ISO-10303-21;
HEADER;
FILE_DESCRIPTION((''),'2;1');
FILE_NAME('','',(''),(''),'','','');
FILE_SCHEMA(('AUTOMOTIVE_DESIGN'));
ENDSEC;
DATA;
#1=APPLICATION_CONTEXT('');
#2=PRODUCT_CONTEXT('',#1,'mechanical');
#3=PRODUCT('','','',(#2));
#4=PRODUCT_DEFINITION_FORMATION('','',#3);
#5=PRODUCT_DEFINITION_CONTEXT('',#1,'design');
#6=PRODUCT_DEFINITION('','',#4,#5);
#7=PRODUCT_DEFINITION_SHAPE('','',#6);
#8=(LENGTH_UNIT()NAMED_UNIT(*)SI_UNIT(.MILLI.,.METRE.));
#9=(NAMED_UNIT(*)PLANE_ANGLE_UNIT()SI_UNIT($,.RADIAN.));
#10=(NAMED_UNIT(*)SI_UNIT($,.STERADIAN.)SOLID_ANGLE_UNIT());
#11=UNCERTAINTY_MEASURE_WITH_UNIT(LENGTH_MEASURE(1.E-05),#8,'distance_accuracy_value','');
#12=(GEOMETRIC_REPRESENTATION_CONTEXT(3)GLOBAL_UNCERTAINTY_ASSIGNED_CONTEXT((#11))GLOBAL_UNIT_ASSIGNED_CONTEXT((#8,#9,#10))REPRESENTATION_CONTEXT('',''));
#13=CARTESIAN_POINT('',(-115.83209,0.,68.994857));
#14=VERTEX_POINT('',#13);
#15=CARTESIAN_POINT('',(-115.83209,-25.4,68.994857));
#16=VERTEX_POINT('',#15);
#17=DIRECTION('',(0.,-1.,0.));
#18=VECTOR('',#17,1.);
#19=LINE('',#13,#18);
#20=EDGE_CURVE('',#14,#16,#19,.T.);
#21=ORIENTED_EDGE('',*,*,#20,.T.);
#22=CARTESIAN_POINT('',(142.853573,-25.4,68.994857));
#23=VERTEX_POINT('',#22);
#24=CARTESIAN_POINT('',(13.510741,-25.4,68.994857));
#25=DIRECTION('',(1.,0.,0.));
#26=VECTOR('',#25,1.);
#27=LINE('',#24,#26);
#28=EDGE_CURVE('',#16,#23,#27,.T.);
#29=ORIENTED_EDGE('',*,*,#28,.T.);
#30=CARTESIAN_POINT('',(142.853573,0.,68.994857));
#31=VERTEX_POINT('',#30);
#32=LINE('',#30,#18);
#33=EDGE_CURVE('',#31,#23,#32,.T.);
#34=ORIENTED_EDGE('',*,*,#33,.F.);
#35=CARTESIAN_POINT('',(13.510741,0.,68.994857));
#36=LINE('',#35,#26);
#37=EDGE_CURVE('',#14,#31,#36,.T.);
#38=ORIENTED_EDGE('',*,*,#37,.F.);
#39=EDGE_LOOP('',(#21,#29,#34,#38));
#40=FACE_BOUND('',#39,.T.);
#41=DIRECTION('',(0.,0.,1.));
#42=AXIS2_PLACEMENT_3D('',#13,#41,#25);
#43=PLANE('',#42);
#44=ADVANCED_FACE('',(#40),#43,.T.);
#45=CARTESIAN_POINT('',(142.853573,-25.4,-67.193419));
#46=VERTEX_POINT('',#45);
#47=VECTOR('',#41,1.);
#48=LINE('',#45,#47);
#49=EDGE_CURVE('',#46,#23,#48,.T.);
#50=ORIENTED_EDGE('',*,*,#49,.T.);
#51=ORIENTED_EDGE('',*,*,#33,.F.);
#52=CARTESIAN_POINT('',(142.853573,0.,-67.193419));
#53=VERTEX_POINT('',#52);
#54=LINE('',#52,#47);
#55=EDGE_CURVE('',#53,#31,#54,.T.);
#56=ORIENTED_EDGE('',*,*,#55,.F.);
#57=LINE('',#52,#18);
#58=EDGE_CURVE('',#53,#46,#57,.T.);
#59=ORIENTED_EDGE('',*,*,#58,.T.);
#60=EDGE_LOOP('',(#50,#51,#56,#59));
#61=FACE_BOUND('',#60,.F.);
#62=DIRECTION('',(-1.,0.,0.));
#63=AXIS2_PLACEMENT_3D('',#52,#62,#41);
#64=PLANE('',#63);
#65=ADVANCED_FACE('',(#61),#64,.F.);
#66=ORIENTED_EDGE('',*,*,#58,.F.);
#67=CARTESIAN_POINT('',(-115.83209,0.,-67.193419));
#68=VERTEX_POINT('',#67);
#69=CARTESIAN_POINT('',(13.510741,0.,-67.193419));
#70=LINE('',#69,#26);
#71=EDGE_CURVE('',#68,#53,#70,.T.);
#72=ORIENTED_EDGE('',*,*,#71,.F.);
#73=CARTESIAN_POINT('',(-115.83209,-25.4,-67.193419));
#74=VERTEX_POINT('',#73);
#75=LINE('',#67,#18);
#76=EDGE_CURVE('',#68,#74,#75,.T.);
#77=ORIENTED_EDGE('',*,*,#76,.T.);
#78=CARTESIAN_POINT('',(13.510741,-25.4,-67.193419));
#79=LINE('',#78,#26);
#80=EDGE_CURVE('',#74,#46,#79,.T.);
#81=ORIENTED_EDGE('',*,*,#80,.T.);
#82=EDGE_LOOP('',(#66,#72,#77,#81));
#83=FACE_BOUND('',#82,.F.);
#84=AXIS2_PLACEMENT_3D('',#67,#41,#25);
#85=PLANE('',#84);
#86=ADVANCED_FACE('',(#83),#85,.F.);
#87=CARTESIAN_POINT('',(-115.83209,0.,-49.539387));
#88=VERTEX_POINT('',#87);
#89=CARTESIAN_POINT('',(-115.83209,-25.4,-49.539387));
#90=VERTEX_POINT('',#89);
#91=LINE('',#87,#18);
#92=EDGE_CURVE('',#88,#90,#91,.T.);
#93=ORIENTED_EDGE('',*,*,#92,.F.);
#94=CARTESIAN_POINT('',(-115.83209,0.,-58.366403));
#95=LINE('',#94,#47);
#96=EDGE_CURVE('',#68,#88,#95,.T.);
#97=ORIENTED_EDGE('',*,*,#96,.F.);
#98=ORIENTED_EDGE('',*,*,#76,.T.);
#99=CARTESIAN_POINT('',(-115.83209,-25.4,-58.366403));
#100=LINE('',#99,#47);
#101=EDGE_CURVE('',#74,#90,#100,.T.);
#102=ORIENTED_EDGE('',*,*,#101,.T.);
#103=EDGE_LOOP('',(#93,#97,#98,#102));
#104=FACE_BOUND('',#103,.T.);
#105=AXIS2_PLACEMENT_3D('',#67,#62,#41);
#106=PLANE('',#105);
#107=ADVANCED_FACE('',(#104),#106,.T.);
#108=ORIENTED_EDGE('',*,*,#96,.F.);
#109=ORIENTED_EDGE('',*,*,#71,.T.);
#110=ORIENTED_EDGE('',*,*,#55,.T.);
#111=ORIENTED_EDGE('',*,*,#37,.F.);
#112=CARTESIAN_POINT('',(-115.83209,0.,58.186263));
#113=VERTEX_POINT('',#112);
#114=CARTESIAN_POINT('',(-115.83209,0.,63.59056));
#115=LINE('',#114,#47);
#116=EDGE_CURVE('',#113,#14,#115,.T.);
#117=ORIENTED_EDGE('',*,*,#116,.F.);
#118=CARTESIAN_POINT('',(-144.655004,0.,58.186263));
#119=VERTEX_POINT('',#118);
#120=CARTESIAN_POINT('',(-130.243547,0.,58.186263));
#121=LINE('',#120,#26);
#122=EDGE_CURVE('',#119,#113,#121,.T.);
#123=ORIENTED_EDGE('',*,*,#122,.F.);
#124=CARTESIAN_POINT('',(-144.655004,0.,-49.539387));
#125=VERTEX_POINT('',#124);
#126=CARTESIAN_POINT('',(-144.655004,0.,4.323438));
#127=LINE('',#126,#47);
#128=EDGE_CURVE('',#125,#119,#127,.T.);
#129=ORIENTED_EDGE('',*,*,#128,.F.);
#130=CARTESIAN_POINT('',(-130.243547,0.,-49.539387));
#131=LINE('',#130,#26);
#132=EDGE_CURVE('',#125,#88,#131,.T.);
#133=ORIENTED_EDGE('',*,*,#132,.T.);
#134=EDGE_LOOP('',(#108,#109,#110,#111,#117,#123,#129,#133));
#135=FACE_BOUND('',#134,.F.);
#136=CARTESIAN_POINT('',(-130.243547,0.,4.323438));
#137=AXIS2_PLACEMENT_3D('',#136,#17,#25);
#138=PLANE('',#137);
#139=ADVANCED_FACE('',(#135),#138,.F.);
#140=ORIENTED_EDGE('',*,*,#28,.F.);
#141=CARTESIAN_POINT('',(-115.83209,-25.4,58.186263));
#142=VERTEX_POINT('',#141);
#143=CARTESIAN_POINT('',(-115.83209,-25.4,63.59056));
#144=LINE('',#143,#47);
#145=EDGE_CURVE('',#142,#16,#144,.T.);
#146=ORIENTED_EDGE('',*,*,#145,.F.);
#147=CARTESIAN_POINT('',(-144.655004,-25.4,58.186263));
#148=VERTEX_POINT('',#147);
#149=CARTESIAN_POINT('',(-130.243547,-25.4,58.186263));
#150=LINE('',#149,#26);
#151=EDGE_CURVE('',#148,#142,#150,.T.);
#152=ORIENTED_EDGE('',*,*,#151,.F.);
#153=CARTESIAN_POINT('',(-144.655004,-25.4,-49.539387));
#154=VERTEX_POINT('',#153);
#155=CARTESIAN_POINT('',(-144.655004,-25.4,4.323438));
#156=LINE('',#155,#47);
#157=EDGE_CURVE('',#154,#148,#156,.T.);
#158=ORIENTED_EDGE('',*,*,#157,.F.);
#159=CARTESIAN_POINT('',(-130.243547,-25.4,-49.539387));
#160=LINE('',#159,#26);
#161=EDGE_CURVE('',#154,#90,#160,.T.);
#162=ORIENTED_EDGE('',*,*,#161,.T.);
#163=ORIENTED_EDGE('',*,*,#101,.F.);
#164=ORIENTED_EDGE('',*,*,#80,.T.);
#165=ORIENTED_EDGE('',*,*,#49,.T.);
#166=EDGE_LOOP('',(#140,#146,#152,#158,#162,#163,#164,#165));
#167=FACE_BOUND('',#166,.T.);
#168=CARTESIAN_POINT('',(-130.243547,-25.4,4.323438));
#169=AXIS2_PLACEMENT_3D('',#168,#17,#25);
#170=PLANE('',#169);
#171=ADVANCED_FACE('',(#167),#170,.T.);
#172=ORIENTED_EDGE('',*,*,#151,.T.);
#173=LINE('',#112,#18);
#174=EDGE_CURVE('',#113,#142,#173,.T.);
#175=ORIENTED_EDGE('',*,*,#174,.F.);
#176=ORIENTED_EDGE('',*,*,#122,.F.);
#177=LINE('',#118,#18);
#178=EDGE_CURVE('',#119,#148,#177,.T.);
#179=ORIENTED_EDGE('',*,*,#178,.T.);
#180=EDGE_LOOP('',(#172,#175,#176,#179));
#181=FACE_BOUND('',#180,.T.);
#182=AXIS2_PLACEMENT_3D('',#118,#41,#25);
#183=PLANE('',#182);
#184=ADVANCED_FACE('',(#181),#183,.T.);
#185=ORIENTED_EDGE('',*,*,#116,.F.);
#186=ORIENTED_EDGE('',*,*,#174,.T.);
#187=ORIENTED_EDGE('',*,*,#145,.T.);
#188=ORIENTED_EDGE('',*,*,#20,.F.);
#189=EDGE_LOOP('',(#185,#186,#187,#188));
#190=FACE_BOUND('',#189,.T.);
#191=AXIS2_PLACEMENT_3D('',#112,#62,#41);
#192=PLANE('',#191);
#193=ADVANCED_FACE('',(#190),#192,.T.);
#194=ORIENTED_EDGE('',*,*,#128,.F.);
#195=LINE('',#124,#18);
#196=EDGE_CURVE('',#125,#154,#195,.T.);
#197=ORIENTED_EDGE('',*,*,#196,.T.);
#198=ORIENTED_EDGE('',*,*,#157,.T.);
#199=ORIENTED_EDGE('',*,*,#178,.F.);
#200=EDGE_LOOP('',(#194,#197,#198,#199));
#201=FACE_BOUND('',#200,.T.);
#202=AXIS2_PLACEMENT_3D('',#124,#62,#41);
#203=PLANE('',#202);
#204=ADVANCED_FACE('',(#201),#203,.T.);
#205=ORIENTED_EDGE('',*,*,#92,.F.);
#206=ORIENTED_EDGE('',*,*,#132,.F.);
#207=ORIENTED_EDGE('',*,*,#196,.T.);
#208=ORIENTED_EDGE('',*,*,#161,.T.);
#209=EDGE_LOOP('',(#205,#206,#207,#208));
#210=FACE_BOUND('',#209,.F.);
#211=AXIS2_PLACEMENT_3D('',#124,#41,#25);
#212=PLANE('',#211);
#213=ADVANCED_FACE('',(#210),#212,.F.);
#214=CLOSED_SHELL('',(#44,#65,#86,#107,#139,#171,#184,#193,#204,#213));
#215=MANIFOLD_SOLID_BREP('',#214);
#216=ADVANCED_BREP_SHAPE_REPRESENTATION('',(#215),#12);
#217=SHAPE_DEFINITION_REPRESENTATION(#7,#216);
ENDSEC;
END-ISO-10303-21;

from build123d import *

# Parameters (mm, degrees)
F0_W     = 28.8229137659
F0_H     = 107.7256500721
F0_W_2   = 258.6856633425
F0_H_2   = 17.6540315151
F0_H_3   = 10.8085945249
F2_DEPTH = 25.4


with BuildPart() as f2:
    # F0 (on Front) → F2 (new body)
    with BuildSketch(Plane.XZ):
        with Locations((-130.2435472608, 4.3234378099)):
            Rectangle(F0_W, F0_H)
        with Locations((13.5107412934, -58.3664029837)):
            Rectangle(F0_W_2, F0_H_2)
        with Locations((13.5107412934, 63.5905601084)):
            Rectangle(F0_W_2, F0_H_3)
        with Locations((13.5107412934, 4.3234378099)):
            Rectangle(F0_W_2, F0_H)
    extrude(amount=F2_DEPTH)


solid = f2.part
